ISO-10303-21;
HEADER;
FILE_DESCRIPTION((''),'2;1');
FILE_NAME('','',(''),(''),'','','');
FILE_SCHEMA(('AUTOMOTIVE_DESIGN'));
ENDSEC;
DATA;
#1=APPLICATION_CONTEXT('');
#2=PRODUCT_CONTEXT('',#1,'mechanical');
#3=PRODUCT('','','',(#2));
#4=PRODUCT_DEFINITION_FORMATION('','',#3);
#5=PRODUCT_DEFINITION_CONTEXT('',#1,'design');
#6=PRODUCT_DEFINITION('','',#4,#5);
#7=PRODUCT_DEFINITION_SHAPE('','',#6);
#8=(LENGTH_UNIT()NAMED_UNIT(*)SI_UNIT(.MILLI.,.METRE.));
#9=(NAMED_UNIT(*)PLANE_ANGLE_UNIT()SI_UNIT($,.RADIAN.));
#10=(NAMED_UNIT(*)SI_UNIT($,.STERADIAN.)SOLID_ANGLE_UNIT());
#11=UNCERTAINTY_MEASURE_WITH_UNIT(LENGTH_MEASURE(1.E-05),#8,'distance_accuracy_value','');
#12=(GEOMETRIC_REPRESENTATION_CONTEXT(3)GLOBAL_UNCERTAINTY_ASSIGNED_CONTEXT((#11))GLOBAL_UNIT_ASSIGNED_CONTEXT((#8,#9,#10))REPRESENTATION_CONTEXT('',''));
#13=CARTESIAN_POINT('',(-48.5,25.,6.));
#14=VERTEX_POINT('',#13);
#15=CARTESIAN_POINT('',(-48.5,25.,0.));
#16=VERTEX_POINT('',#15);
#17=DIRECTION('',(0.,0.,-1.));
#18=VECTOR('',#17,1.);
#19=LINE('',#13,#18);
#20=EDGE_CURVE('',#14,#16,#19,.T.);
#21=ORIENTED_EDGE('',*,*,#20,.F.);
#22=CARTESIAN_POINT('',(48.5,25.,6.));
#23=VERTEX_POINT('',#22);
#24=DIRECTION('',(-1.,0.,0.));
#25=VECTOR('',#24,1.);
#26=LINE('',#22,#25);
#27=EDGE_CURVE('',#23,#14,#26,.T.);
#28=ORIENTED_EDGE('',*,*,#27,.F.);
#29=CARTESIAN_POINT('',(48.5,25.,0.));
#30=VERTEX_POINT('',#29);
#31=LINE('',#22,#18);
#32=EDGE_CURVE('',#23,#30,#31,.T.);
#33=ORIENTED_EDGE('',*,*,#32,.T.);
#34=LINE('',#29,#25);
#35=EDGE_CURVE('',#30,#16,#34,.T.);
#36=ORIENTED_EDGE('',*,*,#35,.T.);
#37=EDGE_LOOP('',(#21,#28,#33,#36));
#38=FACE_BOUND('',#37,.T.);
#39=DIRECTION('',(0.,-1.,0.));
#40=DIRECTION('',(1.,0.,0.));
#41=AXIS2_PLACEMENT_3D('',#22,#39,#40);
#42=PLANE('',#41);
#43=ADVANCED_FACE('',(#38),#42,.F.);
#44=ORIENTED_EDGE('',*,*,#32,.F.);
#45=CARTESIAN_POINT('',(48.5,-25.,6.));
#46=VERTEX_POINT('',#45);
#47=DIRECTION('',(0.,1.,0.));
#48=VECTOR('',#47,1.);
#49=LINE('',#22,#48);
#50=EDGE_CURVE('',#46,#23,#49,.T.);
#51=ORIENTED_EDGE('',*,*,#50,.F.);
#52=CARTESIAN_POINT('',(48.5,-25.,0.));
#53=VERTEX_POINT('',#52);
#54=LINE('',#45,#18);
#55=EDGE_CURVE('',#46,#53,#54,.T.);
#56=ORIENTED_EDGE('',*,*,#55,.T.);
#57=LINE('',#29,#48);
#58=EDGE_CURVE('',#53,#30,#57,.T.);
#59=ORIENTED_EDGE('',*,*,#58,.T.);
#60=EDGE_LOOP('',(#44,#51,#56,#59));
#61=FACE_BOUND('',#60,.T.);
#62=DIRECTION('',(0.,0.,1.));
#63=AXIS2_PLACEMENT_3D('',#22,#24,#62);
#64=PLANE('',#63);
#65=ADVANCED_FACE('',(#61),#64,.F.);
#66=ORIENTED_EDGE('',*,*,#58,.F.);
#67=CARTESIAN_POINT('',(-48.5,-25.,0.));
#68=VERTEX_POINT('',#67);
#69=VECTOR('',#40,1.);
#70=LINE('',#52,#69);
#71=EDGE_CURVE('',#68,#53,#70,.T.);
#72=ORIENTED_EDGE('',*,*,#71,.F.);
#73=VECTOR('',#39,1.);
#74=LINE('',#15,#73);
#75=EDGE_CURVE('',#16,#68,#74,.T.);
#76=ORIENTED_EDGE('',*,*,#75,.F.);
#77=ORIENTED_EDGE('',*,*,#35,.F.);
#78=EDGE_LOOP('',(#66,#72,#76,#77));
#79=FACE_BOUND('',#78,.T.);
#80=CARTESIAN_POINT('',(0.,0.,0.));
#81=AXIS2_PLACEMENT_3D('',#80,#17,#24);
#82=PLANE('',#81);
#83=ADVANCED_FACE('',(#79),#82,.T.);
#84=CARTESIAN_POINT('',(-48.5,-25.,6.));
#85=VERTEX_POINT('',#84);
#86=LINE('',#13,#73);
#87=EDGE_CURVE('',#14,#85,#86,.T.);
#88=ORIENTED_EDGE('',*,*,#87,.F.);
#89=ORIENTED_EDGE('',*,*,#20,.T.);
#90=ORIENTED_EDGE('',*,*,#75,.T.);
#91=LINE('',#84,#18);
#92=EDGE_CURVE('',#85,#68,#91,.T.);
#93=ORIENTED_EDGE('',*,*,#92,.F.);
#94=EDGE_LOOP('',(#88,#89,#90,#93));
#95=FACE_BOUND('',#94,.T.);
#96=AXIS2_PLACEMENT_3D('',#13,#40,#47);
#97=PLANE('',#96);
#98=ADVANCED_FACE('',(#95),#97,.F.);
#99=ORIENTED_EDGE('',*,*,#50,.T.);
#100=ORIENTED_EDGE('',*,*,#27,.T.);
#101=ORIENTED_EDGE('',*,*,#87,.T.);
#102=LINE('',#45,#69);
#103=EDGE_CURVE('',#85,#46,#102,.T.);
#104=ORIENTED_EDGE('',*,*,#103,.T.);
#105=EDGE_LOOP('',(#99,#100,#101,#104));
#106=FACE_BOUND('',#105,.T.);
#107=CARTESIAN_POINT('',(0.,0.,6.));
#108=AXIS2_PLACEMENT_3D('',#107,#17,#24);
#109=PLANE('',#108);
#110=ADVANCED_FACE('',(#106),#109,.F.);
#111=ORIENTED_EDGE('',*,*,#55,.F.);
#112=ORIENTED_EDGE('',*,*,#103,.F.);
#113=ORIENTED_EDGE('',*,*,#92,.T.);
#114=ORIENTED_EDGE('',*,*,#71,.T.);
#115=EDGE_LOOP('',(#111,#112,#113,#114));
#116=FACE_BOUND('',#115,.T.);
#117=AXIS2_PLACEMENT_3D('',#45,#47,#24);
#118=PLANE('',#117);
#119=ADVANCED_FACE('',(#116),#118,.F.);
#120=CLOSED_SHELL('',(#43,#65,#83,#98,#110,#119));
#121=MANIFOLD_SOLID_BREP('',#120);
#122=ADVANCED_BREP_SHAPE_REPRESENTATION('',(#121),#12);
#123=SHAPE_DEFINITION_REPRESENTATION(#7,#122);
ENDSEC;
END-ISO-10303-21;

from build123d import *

# Parameters (mm, degrees)
SKETCH_1_W      = 97
SKETCH_1_H      = 50
EXTRUDE_1_DEPTH = 6


with BuildPart() as part:
    # Эскиз1 → Бобышка-Вытянуть1 (new body)
    with BuildSketch(Plane.XY):
        Rectangle(SKETCH_1_W, SKETCH_1_H)
    extrude(amount=EXTRUDE_1_DEPTH)


solid = part.part
